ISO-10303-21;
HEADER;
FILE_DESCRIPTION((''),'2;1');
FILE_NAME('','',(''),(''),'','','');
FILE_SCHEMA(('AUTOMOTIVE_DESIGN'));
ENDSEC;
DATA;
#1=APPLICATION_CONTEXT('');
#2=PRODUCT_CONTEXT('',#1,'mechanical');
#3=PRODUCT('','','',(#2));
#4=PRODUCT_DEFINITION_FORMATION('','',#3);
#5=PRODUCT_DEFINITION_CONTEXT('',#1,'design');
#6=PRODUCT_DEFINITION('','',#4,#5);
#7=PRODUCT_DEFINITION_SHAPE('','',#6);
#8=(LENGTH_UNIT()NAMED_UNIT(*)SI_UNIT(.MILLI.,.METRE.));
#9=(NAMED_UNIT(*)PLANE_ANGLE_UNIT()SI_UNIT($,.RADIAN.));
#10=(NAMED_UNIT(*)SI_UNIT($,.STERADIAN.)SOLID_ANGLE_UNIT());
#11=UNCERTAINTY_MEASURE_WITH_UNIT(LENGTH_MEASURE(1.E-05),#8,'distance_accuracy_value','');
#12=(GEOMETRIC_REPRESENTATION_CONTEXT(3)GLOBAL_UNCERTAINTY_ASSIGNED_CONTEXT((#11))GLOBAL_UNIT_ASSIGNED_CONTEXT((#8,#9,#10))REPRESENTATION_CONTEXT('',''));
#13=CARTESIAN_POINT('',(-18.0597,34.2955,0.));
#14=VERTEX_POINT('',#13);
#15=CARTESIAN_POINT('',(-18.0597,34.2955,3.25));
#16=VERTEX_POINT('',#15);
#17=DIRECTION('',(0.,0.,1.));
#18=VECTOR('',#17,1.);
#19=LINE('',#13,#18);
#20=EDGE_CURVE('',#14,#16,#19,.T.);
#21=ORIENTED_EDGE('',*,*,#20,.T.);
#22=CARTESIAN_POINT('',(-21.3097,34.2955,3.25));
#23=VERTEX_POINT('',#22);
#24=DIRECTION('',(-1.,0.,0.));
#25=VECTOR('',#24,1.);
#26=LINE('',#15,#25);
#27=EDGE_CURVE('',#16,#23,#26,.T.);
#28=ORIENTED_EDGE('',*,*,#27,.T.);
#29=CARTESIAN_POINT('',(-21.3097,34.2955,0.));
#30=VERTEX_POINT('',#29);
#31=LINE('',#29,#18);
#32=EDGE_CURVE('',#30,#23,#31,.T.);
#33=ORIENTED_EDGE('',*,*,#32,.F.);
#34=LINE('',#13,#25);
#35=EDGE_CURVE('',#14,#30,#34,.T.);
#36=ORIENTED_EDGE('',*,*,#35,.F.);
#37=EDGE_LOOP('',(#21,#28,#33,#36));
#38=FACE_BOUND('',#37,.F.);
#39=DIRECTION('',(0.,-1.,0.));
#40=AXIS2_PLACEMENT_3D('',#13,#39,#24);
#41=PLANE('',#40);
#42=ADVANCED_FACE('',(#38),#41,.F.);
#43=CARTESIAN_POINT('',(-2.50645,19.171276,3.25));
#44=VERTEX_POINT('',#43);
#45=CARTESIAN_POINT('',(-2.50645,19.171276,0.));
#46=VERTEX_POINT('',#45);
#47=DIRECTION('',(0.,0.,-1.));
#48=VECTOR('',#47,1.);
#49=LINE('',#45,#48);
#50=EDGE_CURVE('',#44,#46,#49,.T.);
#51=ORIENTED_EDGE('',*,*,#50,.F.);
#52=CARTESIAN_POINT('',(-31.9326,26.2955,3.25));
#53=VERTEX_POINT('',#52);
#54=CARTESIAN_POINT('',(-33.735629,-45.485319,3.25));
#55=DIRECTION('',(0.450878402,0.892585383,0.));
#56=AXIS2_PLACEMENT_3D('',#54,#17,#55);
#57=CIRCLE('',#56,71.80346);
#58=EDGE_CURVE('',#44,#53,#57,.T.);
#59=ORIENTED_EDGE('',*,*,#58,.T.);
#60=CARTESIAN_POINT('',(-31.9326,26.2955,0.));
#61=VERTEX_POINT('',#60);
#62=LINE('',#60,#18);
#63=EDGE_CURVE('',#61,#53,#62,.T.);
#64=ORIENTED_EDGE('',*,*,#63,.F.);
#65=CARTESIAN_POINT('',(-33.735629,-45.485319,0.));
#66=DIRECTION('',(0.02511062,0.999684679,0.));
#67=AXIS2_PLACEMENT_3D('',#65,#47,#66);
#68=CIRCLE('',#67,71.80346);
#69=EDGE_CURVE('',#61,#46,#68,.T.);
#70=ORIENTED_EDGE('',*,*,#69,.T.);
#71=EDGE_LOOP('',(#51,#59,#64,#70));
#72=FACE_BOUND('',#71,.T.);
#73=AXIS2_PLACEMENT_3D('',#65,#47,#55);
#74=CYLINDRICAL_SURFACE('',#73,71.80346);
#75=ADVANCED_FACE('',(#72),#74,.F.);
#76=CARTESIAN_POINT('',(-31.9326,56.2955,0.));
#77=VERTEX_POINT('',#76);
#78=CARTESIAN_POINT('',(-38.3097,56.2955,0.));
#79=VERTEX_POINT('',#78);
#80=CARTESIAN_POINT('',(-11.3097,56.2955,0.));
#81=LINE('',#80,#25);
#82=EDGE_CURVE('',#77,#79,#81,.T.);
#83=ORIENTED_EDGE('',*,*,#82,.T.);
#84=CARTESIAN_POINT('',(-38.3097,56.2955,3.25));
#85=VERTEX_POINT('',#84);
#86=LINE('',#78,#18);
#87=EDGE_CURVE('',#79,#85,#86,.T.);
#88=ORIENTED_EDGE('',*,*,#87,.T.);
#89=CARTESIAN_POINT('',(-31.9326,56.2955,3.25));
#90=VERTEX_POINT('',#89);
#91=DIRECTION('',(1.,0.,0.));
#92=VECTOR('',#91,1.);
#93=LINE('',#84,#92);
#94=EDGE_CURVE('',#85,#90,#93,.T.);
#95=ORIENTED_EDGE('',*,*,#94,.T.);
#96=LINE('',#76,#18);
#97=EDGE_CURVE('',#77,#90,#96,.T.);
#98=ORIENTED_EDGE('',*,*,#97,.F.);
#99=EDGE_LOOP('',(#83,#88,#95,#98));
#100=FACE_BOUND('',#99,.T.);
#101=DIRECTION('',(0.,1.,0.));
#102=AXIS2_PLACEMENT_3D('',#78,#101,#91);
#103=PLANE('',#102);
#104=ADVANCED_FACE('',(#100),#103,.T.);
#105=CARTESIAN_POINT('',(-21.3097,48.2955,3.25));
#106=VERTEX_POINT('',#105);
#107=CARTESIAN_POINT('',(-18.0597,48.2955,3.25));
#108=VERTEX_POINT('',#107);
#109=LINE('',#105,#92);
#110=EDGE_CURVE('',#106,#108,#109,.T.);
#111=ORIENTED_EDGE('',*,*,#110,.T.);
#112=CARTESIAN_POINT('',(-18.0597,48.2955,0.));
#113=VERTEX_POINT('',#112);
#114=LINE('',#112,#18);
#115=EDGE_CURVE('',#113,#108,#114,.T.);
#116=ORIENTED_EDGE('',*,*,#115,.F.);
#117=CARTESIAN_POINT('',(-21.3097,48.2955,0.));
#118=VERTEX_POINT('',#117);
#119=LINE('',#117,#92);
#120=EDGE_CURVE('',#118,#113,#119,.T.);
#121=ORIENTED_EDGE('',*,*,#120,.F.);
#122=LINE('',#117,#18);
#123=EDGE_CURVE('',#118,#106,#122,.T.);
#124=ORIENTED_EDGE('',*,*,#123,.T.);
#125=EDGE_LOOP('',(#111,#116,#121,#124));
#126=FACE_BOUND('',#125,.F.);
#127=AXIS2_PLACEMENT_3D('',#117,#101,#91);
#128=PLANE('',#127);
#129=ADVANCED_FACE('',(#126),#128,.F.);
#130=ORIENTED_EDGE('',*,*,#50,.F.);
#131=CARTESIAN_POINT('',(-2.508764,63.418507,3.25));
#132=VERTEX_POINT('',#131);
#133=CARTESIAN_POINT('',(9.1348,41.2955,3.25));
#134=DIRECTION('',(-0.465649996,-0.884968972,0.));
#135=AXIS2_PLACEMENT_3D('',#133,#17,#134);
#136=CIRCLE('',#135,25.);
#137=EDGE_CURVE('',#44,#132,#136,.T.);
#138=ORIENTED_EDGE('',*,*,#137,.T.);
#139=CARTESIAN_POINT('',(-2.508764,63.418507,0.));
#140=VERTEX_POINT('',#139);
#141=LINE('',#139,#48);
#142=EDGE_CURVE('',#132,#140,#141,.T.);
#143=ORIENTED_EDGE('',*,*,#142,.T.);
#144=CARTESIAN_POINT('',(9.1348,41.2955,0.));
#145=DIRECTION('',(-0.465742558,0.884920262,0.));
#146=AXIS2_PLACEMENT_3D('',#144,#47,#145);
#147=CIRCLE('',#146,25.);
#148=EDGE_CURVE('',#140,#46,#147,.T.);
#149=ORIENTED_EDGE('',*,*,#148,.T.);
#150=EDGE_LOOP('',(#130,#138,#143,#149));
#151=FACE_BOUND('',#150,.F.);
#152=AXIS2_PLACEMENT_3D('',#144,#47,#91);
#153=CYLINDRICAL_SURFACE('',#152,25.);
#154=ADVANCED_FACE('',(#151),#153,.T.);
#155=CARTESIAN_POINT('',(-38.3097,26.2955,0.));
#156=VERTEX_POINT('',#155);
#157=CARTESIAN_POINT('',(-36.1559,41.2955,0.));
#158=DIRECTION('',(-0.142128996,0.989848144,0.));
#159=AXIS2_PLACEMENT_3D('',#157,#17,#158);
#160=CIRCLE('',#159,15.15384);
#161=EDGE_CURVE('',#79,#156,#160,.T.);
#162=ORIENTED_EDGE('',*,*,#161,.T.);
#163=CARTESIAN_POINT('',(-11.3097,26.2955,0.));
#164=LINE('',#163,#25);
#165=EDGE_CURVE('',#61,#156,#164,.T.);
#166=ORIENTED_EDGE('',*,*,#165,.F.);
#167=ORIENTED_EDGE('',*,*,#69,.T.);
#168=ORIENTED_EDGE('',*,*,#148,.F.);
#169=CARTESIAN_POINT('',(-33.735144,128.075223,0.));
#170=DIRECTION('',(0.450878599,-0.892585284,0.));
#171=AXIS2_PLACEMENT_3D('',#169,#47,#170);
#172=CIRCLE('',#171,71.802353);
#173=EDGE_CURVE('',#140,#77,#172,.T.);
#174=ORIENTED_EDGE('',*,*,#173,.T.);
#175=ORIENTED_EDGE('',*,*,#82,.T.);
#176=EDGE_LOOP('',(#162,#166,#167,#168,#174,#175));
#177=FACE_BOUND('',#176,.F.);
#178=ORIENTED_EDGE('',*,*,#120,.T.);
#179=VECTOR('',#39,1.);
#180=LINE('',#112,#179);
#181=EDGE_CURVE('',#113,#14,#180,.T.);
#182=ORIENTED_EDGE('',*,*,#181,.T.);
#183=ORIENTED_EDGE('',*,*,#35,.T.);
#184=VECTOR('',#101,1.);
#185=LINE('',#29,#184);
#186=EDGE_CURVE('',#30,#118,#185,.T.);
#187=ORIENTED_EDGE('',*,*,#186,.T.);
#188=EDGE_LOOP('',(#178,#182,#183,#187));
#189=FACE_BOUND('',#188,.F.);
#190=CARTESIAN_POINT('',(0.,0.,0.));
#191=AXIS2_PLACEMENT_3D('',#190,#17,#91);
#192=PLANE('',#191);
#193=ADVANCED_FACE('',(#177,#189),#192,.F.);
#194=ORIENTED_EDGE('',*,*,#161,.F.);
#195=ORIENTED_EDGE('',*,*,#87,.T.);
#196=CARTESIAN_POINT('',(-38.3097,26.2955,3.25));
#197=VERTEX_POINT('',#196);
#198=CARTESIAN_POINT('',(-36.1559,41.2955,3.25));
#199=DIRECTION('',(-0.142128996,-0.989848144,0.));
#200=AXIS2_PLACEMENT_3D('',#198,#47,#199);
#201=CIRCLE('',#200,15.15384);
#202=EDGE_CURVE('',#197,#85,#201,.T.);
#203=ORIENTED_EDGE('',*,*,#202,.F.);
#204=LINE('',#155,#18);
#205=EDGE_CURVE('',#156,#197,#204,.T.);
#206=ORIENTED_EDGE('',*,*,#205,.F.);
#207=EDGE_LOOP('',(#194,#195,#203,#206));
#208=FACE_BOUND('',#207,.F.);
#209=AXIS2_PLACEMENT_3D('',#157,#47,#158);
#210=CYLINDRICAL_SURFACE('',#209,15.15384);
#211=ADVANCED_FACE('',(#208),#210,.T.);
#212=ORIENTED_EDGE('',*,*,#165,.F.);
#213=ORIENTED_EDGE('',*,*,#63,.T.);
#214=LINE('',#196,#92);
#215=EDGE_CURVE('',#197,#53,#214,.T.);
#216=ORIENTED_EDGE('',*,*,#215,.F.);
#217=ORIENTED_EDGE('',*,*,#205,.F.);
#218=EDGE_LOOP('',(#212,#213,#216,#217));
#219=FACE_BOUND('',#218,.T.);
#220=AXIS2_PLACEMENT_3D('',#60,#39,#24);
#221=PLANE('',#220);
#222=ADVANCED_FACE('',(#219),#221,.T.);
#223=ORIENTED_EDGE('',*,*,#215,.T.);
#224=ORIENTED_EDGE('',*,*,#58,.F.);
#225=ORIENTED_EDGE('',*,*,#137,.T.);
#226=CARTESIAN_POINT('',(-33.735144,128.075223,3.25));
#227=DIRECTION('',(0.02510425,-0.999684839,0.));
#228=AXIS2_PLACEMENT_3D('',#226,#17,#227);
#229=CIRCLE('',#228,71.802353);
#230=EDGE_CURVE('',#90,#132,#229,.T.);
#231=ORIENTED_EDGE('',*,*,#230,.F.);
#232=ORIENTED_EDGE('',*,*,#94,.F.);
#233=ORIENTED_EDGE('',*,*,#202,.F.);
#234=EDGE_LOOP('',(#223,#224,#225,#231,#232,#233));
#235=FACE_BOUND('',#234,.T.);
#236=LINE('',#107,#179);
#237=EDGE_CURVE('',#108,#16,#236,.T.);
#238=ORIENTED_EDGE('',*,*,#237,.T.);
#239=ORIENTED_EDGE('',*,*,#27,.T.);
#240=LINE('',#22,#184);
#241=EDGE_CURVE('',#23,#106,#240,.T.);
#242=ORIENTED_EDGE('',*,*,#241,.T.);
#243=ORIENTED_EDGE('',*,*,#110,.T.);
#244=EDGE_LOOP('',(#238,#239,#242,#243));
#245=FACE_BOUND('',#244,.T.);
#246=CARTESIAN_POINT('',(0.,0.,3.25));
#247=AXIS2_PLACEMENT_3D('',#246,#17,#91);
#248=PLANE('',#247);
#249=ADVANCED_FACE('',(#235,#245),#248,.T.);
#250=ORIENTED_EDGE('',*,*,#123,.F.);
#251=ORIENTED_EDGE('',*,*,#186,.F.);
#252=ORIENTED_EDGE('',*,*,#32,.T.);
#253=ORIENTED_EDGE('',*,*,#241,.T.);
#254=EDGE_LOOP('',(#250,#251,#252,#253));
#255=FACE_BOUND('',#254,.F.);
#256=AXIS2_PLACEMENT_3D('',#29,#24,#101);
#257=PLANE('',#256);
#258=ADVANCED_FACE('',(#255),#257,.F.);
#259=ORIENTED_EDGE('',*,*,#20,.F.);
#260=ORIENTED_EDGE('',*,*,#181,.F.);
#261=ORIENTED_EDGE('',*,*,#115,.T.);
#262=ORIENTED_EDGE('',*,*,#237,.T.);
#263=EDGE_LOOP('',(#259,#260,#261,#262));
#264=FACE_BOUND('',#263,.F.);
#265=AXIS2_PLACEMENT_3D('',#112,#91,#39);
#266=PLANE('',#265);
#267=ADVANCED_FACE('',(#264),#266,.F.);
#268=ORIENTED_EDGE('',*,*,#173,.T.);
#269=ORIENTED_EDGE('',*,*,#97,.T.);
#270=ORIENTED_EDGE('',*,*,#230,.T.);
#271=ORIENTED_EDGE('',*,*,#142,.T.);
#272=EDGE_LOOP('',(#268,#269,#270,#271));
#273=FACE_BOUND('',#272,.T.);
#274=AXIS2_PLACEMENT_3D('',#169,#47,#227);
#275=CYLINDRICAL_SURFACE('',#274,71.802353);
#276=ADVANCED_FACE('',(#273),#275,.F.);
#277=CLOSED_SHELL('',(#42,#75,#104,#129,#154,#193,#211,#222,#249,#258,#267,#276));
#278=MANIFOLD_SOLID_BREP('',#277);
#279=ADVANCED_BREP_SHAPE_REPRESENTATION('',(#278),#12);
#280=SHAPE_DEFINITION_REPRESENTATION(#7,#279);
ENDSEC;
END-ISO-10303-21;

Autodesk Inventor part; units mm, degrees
ref_plane "YZ Plane" through (0, 0, 0) normal (1, 0, 0) x (0, 1, 0)
ref_plane "XZ Plane" through (0, 0, 0) normal (0, 1, 0) x (-1, 0, 0)
ref_plane "XY Plane" through (0, 0, 0) normal (0, 0, 1) x (1, 0, 0)
sketch "Block1" plane through (0, 0, 0) normal (0, 0, 1) x (1, 0, 0)
  circle A0 centre (74.029, 24.2723) radius 1
  line L0 (49.279, 30.4723) -> (71.779, 30.4723)
  line L1 (71.779, 30.4723) -> (71.779, 18.0723)
  line L2 (71.779, 18.0723) -> (49.279, 18.0723)
  line L3 (49.279, 18.0723) -> (49.279, 30.4723)
  line L4 (49.279, 30.4723) -> (44.779, 30.4723)
  line L5 (44.779, 30.4723) -> (44.779, 18.0723)
  line L6 (44.779, 18.0723) -> (49.279, 18.0723)
  line L7 (49.279, 18.0723) -> (49.279, 30.4723)
  line L8 (71.779, 30.4723) -> (76.279, 30.4723)
  line L9 (76.279, 30.4723) -> (76.279, 18.0723)
  line L10 (76.279, 18.0723) -> (71.779, 18.0723)
  line L11 (71.779, 18.0723) -> (71.779, 30.4723)
  line L12 (44.779, 24.2723) -> (76.279, 24.2723) construction
  line L13 (47.029, 30.4723) -> (47.029, 18.0723) construction
  circle A1 centre (47.029, 24.2723) radius 1
  line L14 (74.029, 30.4723) -> (74.029, 18.0723) construction
  point P0 (60.979, 24.0984)
  dimension "d7" = 22.5
  dimension "d8" = 12.4
  dimension "d9" = 4.5
  dimension "d10" = 4.5
  dimension "d11" = 2
  dimension "d12" = 2
sketch "Sketch1" plane through (0, 0, 0) normal (0, 0, 1) x (1, 0, 0)
  line L0 (-92.7646, -8.503) -> (-89.7646, -8.503)
  line L1 (-89.7646, -8.503) -> (-89.7646, -11.753)
  line L2 (-89.7646, -11.753) -> (-92.7646, -11.753)
  line L3 (-92.7646, -11.753) -> (-92.7646, -8.503)
  line L4 (-92.7646, -21.6527) -> (-89.7646, -21.6527)
  line L5 (-89.7646, -21.6527) -> (-89.7646, -21.7527)
  line L6 (-89.7646, -21.7527) -> (-92.7646, -21.7527)
  line L7 (-92.7646, -21.7527) -> (-92.7646, -21.6527)
  line L8 (-51.3097, 56.2955) -> (-11.3097, 56.2955)
  line L9 (-11.3097, 56.2955) -> (-11.3097, 26.2955)
  line L10 (-11.3097, 26.2955) -> (-51.3097, 26.2955)
  line L11 (-51.3097, 26.2955) -> (-51.3097, 56.2955)
  line L12 (-51.3097, 41.2955) -> (-11.3097, 41.2955) construction
  line L13 (-21.3097, 48.2955) -> (-18.0597, 48.2955)
  line L14 (-18.0597, 48.2955) -> (-18.0597, 34.2955)
  line L15 (-18.0597, 34.2955) -> (-21.3097, 34.2955)
  line L16 (-21.3097, 34.2955) -> (-21.3097, 48.2955)
  line L17 (-21.3097, 41.2955) -> (-18.0597, 41.2955) construction
  line L18 (-11.3097, 66.2955) -> (18.6903, 66.2955)
  line L19 (18.6903, 66.2955) -> (18.6903, 16.2955)
  line L20 (18.6903, 16.2955) -> (-11.3097, 16.2955)
  line L21 (-11.3097, 16.2955) -> (-11.3097, 66.2955)
  line L22 (-11.3097, 41.2955) -> (18.6903, 41.2955) construction
  line L23 (-38.3097, 56.2955) -> (-38.3097, 26.2955) construction
  arc A0 (-38.3097, 56.2955) -> (-38.3097, 26.2955) centre (-36.1559, 41.2955) ccw
  circle A1 centre (9.1348, 41.2955) radius 25
  arc A2 (-31.9326, 56.2955) -> (-1.361, 63.9855) centre (-33.7351, 128.0749) ccw
  line L24 (-31.9326, 56.2955) -> (-31.9326, 53.1229)
  line L25 (-31.9326, 53.1229) -> (-1.361, 53.1229)
  line L26 (-1.361, 53.1229) -> (-1.361, 63.9855)
  arc A3 (-1.361, 18.6054) -> (-31.9326, 26.2955) centre (-33.7351, -45.4839) ccw
  line L27 (-31.9326, 26.2955) -> (-31.9326, 29.468)
  line L28 (-31.9326, 29.468) -> (-1.361, 29.468)
  line L29 (-1.361, 29.468) -> (-1.361, 18.6054)
  point P0 (0, 0)
  dimension "d0" = 3
  dimension "mat" = 3.25
  dimension "d2" = 3
  dimension "d3" = 0.1
  dimension "d23" = 40
  dimension "d24" = 30
  dimension "d29" = 3.25
  dimension "d30" = 14
  dimension "d31" = 30
  dimension "d38" = 30
  dimension "d39" = 50
  dimension "d42" = 13
  dimension "d43" = 50
extrude "Extrusion6" add sketch "Sketch1" along normal blind 3.25 contours L8 L24 L25 A1 L28 L27 L10 A0 | L8 L9 A1 L25 L24 | L27 L28 A1 L9 L10 | A1 A2 L26 L25 L9 | L9 L25 A1 | A1 A2 | L25 L9 L28 A1 | L25 L26 A1 L19 L29 L28 L9 | L28 L9 A1 | L9 L28 L29 A3 A1 | A3 A1 | A1 L19
extrude "Extrusion7" add sketch "Sketch1" along normal blind 3.25 contours A2 L21 L8 | L8 L9 A1 L25 L24 | L21 A2 A1 L9 | A1 A2 L26 L25 L9 | L9 L25 A1
extrude "Extrusion8" add sketch "Sketch1" along normal blind 3.25 contours L27 L28 A1 L9 L10 | L10 L21 A3 | L9 A1 A3 L21 | L28 L9 A1 | L9 L28 L29 A3 A1
equation "\"d29\" = mat"
equation "\"d44\" = mat"
equation "\"d46\" = mat"
equation "\"d48\" = mat"
properties part number "arm-servo"
